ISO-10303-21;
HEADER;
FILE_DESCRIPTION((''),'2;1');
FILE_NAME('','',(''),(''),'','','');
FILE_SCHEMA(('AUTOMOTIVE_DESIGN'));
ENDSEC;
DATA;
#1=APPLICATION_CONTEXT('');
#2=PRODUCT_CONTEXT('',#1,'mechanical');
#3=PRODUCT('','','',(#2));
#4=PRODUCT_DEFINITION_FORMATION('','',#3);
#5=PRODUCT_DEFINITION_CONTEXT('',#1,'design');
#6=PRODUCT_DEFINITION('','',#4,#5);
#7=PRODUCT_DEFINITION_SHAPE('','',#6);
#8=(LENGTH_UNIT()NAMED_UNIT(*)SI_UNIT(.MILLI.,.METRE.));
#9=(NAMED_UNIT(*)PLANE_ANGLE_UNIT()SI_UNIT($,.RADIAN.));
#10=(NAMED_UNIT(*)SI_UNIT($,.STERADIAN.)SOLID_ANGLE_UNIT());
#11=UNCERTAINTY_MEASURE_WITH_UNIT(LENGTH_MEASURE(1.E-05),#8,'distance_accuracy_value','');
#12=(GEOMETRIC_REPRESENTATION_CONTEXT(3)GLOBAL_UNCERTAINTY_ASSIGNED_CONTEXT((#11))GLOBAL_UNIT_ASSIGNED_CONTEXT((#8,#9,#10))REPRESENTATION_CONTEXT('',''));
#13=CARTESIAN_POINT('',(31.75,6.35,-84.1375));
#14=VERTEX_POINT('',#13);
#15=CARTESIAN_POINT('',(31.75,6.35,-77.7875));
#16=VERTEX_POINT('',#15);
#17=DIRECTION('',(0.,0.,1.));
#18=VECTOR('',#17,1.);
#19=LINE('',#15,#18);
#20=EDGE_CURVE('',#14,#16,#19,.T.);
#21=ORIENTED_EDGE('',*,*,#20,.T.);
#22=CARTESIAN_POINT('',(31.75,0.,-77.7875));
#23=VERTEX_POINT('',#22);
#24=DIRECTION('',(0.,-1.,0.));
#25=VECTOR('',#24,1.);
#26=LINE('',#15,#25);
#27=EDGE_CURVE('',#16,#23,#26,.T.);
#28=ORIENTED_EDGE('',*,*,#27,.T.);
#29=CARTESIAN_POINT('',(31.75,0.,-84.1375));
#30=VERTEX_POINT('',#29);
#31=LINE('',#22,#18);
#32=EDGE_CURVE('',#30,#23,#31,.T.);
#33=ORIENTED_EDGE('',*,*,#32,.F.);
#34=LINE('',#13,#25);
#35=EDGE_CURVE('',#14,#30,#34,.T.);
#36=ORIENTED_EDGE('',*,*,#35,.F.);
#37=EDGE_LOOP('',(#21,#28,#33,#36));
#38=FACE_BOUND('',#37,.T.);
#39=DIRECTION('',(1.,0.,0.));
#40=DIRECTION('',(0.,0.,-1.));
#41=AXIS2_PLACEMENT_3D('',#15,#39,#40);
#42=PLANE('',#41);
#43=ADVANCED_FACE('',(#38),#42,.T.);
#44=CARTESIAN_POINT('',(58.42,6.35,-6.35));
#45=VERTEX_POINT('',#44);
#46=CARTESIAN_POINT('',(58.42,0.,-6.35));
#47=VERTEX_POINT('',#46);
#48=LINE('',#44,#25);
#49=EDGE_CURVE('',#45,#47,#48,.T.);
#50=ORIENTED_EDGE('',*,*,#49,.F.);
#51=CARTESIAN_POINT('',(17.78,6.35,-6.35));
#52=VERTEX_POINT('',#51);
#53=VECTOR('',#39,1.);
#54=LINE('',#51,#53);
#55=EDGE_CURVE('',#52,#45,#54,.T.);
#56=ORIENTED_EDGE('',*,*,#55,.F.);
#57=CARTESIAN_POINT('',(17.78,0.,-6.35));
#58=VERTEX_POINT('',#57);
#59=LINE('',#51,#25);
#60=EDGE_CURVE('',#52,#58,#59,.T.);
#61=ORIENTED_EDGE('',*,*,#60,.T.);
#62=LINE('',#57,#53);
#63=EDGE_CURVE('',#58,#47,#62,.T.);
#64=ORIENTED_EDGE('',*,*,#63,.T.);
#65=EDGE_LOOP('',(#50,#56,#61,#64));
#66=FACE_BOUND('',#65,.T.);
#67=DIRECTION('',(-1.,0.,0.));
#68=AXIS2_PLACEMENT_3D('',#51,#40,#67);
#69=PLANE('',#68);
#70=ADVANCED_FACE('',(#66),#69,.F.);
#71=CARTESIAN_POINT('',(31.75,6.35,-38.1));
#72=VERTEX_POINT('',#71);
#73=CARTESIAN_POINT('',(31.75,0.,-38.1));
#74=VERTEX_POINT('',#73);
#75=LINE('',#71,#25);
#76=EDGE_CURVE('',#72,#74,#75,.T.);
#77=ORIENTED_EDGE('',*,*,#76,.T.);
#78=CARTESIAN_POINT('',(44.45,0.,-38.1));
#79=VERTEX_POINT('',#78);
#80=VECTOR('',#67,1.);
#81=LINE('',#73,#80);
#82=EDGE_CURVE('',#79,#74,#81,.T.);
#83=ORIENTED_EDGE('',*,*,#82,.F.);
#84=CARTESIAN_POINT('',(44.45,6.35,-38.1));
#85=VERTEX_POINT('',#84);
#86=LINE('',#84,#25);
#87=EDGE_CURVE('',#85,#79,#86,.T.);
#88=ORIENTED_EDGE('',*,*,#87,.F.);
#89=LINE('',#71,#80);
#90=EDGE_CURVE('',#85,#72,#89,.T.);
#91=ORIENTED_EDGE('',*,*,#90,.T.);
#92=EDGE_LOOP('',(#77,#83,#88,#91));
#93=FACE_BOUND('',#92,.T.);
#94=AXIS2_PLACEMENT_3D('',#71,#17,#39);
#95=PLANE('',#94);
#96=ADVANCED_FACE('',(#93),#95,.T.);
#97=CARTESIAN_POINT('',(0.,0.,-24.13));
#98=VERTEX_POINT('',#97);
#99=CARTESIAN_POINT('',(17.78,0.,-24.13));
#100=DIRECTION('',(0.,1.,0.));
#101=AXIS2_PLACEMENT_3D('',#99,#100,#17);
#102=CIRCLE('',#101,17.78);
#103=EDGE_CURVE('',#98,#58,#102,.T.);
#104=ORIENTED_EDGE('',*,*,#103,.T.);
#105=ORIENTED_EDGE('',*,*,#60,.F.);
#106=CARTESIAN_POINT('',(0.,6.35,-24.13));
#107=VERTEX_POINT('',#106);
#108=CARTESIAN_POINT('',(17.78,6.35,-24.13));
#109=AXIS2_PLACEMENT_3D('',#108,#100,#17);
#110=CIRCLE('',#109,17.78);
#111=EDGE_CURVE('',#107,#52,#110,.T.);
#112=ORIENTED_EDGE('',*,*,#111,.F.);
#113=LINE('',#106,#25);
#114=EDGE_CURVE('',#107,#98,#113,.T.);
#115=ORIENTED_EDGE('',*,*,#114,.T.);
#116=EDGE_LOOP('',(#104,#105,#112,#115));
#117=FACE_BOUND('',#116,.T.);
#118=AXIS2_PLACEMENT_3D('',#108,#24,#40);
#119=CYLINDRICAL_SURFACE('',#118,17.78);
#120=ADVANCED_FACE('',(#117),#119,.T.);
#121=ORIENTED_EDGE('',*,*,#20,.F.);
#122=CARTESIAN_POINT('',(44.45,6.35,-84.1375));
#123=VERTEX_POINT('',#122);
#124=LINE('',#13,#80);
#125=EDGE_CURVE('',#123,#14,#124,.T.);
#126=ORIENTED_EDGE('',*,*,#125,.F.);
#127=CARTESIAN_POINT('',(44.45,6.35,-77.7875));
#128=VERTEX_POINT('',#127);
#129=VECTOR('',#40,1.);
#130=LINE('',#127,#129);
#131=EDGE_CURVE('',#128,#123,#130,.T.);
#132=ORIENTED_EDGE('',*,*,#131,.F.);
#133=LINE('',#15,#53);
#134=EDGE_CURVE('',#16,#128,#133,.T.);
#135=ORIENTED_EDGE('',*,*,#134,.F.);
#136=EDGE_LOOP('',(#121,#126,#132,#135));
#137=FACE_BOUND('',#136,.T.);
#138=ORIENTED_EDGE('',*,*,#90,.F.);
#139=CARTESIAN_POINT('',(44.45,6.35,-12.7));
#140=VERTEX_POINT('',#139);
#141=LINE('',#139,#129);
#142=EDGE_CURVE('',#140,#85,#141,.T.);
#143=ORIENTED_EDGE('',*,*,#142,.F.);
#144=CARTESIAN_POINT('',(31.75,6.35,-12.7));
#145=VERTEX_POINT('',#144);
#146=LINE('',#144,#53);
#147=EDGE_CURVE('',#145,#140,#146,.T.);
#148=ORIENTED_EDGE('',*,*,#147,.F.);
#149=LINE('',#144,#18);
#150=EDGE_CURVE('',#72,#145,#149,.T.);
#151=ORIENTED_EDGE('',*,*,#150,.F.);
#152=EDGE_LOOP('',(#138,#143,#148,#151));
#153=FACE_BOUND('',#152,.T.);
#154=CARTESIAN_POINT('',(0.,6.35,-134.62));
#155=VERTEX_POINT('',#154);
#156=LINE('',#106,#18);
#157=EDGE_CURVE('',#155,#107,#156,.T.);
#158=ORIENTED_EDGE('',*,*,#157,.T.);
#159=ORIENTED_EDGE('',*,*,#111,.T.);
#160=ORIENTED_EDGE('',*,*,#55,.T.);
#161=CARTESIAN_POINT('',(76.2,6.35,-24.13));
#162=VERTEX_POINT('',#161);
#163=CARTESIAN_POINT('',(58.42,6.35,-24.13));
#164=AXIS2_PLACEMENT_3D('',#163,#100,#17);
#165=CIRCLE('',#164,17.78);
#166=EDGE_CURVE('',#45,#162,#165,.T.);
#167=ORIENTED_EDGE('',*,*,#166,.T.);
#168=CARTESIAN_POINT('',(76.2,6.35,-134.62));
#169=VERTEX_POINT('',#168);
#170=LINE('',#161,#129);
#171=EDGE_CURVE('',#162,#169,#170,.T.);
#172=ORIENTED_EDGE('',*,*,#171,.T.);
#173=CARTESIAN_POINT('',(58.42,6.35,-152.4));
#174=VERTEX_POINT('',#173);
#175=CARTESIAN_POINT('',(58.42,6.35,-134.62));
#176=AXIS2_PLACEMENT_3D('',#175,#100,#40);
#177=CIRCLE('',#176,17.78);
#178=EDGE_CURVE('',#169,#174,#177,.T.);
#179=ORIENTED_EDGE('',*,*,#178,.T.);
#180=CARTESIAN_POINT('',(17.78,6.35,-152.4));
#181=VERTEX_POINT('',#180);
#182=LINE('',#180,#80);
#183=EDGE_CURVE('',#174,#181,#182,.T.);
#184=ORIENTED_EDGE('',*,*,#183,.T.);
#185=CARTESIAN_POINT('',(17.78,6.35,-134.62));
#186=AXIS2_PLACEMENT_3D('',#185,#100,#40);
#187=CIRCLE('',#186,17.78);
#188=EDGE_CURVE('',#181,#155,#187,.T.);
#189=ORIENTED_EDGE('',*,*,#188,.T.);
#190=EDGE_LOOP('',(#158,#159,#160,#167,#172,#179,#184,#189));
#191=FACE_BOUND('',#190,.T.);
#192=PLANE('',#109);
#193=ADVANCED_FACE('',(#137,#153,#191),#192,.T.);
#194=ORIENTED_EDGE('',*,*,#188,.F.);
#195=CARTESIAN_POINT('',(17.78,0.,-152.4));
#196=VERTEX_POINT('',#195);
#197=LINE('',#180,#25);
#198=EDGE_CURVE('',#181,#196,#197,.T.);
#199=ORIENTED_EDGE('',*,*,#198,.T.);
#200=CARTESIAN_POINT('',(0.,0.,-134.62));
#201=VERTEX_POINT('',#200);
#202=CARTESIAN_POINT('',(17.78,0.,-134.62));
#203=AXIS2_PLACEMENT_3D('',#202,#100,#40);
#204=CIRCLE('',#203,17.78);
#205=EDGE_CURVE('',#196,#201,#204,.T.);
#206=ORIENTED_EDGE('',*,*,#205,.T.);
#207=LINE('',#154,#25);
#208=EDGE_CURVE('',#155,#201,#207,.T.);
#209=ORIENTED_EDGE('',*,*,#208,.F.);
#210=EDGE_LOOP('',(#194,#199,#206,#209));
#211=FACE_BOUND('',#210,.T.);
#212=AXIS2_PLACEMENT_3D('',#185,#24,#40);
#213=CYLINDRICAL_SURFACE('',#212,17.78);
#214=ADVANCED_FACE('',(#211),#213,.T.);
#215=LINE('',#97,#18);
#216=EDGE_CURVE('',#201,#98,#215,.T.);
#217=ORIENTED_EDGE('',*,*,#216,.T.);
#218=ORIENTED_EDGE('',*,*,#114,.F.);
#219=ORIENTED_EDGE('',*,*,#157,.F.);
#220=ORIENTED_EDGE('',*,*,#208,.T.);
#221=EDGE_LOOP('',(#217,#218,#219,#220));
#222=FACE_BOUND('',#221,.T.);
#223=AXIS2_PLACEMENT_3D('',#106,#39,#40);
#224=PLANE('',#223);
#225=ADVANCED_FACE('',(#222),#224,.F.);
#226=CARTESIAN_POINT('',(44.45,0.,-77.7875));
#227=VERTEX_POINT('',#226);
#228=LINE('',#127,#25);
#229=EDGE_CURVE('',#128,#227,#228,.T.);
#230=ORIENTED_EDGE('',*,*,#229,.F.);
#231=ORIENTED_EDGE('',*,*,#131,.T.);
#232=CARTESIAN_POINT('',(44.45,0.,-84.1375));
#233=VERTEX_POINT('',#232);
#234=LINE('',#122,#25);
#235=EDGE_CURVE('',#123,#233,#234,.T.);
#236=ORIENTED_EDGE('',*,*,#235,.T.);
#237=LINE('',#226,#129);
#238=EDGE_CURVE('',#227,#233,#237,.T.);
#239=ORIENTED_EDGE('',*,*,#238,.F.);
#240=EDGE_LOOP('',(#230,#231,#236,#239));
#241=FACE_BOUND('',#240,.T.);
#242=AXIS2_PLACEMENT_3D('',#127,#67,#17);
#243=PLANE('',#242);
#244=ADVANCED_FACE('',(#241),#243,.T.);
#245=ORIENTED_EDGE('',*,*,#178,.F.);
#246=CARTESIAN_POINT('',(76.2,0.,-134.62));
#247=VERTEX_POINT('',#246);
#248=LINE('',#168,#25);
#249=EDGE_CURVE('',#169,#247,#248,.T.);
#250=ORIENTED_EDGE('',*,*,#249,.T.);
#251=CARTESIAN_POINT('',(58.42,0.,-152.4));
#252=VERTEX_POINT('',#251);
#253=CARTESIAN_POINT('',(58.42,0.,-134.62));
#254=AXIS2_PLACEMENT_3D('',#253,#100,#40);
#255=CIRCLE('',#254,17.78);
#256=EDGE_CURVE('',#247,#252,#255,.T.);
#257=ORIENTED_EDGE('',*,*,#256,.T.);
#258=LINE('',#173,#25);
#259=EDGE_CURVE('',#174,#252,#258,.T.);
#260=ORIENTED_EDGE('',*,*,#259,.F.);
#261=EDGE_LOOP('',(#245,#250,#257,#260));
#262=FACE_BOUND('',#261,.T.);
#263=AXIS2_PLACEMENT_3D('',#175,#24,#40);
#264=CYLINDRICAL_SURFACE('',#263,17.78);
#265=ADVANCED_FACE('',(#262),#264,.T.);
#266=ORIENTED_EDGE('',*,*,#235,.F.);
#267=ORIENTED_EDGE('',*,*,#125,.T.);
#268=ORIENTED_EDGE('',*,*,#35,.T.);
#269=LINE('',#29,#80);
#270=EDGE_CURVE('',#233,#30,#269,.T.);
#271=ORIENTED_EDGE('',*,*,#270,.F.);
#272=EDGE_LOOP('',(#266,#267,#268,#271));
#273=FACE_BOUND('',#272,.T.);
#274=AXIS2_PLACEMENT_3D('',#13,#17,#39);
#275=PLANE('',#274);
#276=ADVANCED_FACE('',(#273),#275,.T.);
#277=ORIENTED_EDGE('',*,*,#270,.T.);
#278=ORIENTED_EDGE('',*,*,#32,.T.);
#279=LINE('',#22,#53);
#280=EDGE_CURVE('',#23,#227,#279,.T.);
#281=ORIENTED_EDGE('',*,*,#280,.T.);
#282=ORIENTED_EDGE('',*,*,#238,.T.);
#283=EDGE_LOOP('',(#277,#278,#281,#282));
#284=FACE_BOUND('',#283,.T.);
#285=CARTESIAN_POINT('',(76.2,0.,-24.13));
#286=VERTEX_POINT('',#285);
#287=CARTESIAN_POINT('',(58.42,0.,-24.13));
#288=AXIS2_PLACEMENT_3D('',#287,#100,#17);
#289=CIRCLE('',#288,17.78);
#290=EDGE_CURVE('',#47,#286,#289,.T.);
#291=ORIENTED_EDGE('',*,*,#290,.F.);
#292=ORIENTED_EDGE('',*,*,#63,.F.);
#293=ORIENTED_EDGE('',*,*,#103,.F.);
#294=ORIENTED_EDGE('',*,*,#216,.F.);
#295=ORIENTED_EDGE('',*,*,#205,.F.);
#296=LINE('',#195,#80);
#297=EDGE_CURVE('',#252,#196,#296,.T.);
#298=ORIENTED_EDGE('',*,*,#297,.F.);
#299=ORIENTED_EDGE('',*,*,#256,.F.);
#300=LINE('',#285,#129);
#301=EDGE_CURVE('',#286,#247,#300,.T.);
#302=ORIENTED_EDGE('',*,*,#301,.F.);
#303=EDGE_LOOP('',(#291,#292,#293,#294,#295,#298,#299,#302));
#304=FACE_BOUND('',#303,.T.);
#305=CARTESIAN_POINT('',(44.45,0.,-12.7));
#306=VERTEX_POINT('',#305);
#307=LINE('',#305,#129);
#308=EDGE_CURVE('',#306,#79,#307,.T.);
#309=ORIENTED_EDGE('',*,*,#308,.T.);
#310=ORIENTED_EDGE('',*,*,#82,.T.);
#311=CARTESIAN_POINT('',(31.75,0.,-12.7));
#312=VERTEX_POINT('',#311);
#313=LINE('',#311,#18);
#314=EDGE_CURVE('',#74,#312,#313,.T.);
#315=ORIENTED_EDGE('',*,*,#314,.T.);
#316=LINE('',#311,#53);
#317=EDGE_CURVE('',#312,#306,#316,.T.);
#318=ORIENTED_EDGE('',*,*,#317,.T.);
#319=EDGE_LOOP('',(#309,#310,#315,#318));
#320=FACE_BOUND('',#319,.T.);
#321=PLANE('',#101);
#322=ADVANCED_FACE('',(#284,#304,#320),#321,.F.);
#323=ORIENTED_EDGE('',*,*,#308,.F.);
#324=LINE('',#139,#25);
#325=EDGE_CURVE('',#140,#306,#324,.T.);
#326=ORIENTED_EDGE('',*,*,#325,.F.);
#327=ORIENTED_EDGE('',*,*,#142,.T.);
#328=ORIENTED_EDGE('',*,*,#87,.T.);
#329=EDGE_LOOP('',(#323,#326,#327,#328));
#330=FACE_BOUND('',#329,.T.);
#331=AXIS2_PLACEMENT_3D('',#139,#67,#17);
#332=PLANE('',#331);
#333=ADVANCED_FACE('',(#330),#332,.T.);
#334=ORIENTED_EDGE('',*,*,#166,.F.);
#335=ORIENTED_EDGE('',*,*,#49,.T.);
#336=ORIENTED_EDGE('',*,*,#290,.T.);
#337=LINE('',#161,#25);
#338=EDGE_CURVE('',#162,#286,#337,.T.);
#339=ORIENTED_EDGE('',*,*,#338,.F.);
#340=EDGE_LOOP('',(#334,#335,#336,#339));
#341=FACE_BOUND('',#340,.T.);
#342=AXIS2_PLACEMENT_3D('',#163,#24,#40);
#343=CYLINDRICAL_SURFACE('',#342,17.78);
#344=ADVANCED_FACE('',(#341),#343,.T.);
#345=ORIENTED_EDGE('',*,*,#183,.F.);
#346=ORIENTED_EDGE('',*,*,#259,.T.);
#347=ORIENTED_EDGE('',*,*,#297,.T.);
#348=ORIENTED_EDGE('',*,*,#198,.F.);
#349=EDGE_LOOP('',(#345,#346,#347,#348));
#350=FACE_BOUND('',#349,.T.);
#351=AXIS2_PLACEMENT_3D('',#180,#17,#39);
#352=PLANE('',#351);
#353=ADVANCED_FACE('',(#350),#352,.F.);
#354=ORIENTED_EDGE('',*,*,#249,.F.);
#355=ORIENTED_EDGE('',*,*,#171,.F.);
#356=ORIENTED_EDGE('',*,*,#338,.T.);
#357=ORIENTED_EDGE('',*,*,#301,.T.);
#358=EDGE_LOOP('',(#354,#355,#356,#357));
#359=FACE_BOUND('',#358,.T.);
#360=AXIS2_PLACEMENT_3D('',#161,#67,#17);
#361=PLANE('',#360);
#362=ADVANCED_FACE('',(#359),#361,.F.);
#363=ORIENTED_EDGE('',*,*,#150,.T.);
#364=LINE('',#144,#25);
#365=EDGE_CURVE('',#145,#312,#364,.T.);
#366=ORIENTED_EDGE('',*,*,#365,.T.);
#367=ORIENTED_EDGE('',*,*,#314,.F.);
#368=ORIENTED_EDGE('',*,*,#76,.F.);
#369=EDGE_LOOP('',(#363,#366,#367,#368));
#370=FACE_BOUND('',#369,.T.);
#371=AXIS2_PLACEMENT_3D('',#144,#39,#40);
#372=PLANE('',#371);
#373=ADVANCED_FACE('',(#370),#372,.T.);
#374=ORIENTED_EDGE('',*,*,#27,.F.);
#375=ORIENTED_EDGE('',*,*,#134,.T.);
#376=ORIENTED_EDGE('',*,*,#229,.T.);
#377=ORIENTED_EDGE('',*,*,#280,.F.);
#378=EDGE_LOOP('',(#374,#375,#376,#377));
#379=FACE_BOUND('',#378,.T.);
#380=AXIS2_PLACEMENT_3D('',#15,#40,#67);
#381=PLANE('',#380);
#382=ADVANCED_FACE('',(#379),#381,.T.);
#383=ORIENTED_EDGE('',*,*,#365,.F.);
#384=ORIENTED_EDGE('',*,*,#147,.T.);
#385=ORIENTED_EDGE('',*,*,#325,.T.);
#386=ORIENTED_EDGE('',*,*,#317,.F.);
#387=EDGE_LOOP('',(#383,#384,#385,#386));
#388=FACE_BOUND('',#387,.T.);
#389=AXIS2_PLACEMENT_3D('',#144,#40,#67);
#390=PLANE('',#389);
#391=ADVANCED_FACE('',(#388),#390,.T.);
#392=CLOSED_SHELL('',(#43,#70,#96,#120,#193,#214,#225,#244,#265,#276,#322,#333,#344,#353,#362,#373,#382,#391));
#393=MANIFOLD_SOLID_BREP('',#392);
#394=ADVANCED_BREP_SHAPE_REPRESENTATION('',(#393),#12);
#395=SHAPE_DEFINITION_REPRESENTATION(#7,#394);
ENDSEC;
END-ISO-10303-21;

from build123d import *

# Parameters (mm, degrees)
SKETCH1_W           = 12.7
SKETCH1_H           = 6.35
SKETCH1_H_2         = 25.4
BOSS_EXTRUDE1_DEPTH = 6.35


with BuildPart() as part:
    # Sketch1 → Boss-Extrude1 (new body)
    with BuildSketch(Plane(origin=(0, 0, 0), x_dir=(1, 0, 0), z_dir=(0, 1, 0))):
        with BuildLine():
            Line((0, 24.13), (0, 134.62))
            ThreePointArc((0, 134.62), (5.207641431, 147.192358569), (17.78, 152.4))
            Line((17.78, 152.4), (58.42, 152.4))
            ThreePointArc((58.42, 152.4), (70.992358569, 147.192358569), (76.2, 134.62))
            Line((76.2, 134.62), (76.2, 24.13))
            ThreePointArc((76.2, 24.13), (70.992358569, 11.557641431), (58.42, 6.35))
            Line((58.42, 6.35), (17.78, 6.35))
            ThreePointArc((17.78, 6.35), (5.207641431, 11.557641431), (0, 24.13))
        make_face()
        with Locations((38.1, 80.9625)):
            Rectangle(SKETCH1_W, SKETCH1_H, mode=Mode.SUBTRACT)
        with Locations((38.1, 25.4)):
            Rectangle(SKETCH1_W, SKETCH1_H_2, mode=Mode.SUBTRACT)
    extrude(amount=BOSS_EXTRUDE1_DEPTH)


solid = part.part
